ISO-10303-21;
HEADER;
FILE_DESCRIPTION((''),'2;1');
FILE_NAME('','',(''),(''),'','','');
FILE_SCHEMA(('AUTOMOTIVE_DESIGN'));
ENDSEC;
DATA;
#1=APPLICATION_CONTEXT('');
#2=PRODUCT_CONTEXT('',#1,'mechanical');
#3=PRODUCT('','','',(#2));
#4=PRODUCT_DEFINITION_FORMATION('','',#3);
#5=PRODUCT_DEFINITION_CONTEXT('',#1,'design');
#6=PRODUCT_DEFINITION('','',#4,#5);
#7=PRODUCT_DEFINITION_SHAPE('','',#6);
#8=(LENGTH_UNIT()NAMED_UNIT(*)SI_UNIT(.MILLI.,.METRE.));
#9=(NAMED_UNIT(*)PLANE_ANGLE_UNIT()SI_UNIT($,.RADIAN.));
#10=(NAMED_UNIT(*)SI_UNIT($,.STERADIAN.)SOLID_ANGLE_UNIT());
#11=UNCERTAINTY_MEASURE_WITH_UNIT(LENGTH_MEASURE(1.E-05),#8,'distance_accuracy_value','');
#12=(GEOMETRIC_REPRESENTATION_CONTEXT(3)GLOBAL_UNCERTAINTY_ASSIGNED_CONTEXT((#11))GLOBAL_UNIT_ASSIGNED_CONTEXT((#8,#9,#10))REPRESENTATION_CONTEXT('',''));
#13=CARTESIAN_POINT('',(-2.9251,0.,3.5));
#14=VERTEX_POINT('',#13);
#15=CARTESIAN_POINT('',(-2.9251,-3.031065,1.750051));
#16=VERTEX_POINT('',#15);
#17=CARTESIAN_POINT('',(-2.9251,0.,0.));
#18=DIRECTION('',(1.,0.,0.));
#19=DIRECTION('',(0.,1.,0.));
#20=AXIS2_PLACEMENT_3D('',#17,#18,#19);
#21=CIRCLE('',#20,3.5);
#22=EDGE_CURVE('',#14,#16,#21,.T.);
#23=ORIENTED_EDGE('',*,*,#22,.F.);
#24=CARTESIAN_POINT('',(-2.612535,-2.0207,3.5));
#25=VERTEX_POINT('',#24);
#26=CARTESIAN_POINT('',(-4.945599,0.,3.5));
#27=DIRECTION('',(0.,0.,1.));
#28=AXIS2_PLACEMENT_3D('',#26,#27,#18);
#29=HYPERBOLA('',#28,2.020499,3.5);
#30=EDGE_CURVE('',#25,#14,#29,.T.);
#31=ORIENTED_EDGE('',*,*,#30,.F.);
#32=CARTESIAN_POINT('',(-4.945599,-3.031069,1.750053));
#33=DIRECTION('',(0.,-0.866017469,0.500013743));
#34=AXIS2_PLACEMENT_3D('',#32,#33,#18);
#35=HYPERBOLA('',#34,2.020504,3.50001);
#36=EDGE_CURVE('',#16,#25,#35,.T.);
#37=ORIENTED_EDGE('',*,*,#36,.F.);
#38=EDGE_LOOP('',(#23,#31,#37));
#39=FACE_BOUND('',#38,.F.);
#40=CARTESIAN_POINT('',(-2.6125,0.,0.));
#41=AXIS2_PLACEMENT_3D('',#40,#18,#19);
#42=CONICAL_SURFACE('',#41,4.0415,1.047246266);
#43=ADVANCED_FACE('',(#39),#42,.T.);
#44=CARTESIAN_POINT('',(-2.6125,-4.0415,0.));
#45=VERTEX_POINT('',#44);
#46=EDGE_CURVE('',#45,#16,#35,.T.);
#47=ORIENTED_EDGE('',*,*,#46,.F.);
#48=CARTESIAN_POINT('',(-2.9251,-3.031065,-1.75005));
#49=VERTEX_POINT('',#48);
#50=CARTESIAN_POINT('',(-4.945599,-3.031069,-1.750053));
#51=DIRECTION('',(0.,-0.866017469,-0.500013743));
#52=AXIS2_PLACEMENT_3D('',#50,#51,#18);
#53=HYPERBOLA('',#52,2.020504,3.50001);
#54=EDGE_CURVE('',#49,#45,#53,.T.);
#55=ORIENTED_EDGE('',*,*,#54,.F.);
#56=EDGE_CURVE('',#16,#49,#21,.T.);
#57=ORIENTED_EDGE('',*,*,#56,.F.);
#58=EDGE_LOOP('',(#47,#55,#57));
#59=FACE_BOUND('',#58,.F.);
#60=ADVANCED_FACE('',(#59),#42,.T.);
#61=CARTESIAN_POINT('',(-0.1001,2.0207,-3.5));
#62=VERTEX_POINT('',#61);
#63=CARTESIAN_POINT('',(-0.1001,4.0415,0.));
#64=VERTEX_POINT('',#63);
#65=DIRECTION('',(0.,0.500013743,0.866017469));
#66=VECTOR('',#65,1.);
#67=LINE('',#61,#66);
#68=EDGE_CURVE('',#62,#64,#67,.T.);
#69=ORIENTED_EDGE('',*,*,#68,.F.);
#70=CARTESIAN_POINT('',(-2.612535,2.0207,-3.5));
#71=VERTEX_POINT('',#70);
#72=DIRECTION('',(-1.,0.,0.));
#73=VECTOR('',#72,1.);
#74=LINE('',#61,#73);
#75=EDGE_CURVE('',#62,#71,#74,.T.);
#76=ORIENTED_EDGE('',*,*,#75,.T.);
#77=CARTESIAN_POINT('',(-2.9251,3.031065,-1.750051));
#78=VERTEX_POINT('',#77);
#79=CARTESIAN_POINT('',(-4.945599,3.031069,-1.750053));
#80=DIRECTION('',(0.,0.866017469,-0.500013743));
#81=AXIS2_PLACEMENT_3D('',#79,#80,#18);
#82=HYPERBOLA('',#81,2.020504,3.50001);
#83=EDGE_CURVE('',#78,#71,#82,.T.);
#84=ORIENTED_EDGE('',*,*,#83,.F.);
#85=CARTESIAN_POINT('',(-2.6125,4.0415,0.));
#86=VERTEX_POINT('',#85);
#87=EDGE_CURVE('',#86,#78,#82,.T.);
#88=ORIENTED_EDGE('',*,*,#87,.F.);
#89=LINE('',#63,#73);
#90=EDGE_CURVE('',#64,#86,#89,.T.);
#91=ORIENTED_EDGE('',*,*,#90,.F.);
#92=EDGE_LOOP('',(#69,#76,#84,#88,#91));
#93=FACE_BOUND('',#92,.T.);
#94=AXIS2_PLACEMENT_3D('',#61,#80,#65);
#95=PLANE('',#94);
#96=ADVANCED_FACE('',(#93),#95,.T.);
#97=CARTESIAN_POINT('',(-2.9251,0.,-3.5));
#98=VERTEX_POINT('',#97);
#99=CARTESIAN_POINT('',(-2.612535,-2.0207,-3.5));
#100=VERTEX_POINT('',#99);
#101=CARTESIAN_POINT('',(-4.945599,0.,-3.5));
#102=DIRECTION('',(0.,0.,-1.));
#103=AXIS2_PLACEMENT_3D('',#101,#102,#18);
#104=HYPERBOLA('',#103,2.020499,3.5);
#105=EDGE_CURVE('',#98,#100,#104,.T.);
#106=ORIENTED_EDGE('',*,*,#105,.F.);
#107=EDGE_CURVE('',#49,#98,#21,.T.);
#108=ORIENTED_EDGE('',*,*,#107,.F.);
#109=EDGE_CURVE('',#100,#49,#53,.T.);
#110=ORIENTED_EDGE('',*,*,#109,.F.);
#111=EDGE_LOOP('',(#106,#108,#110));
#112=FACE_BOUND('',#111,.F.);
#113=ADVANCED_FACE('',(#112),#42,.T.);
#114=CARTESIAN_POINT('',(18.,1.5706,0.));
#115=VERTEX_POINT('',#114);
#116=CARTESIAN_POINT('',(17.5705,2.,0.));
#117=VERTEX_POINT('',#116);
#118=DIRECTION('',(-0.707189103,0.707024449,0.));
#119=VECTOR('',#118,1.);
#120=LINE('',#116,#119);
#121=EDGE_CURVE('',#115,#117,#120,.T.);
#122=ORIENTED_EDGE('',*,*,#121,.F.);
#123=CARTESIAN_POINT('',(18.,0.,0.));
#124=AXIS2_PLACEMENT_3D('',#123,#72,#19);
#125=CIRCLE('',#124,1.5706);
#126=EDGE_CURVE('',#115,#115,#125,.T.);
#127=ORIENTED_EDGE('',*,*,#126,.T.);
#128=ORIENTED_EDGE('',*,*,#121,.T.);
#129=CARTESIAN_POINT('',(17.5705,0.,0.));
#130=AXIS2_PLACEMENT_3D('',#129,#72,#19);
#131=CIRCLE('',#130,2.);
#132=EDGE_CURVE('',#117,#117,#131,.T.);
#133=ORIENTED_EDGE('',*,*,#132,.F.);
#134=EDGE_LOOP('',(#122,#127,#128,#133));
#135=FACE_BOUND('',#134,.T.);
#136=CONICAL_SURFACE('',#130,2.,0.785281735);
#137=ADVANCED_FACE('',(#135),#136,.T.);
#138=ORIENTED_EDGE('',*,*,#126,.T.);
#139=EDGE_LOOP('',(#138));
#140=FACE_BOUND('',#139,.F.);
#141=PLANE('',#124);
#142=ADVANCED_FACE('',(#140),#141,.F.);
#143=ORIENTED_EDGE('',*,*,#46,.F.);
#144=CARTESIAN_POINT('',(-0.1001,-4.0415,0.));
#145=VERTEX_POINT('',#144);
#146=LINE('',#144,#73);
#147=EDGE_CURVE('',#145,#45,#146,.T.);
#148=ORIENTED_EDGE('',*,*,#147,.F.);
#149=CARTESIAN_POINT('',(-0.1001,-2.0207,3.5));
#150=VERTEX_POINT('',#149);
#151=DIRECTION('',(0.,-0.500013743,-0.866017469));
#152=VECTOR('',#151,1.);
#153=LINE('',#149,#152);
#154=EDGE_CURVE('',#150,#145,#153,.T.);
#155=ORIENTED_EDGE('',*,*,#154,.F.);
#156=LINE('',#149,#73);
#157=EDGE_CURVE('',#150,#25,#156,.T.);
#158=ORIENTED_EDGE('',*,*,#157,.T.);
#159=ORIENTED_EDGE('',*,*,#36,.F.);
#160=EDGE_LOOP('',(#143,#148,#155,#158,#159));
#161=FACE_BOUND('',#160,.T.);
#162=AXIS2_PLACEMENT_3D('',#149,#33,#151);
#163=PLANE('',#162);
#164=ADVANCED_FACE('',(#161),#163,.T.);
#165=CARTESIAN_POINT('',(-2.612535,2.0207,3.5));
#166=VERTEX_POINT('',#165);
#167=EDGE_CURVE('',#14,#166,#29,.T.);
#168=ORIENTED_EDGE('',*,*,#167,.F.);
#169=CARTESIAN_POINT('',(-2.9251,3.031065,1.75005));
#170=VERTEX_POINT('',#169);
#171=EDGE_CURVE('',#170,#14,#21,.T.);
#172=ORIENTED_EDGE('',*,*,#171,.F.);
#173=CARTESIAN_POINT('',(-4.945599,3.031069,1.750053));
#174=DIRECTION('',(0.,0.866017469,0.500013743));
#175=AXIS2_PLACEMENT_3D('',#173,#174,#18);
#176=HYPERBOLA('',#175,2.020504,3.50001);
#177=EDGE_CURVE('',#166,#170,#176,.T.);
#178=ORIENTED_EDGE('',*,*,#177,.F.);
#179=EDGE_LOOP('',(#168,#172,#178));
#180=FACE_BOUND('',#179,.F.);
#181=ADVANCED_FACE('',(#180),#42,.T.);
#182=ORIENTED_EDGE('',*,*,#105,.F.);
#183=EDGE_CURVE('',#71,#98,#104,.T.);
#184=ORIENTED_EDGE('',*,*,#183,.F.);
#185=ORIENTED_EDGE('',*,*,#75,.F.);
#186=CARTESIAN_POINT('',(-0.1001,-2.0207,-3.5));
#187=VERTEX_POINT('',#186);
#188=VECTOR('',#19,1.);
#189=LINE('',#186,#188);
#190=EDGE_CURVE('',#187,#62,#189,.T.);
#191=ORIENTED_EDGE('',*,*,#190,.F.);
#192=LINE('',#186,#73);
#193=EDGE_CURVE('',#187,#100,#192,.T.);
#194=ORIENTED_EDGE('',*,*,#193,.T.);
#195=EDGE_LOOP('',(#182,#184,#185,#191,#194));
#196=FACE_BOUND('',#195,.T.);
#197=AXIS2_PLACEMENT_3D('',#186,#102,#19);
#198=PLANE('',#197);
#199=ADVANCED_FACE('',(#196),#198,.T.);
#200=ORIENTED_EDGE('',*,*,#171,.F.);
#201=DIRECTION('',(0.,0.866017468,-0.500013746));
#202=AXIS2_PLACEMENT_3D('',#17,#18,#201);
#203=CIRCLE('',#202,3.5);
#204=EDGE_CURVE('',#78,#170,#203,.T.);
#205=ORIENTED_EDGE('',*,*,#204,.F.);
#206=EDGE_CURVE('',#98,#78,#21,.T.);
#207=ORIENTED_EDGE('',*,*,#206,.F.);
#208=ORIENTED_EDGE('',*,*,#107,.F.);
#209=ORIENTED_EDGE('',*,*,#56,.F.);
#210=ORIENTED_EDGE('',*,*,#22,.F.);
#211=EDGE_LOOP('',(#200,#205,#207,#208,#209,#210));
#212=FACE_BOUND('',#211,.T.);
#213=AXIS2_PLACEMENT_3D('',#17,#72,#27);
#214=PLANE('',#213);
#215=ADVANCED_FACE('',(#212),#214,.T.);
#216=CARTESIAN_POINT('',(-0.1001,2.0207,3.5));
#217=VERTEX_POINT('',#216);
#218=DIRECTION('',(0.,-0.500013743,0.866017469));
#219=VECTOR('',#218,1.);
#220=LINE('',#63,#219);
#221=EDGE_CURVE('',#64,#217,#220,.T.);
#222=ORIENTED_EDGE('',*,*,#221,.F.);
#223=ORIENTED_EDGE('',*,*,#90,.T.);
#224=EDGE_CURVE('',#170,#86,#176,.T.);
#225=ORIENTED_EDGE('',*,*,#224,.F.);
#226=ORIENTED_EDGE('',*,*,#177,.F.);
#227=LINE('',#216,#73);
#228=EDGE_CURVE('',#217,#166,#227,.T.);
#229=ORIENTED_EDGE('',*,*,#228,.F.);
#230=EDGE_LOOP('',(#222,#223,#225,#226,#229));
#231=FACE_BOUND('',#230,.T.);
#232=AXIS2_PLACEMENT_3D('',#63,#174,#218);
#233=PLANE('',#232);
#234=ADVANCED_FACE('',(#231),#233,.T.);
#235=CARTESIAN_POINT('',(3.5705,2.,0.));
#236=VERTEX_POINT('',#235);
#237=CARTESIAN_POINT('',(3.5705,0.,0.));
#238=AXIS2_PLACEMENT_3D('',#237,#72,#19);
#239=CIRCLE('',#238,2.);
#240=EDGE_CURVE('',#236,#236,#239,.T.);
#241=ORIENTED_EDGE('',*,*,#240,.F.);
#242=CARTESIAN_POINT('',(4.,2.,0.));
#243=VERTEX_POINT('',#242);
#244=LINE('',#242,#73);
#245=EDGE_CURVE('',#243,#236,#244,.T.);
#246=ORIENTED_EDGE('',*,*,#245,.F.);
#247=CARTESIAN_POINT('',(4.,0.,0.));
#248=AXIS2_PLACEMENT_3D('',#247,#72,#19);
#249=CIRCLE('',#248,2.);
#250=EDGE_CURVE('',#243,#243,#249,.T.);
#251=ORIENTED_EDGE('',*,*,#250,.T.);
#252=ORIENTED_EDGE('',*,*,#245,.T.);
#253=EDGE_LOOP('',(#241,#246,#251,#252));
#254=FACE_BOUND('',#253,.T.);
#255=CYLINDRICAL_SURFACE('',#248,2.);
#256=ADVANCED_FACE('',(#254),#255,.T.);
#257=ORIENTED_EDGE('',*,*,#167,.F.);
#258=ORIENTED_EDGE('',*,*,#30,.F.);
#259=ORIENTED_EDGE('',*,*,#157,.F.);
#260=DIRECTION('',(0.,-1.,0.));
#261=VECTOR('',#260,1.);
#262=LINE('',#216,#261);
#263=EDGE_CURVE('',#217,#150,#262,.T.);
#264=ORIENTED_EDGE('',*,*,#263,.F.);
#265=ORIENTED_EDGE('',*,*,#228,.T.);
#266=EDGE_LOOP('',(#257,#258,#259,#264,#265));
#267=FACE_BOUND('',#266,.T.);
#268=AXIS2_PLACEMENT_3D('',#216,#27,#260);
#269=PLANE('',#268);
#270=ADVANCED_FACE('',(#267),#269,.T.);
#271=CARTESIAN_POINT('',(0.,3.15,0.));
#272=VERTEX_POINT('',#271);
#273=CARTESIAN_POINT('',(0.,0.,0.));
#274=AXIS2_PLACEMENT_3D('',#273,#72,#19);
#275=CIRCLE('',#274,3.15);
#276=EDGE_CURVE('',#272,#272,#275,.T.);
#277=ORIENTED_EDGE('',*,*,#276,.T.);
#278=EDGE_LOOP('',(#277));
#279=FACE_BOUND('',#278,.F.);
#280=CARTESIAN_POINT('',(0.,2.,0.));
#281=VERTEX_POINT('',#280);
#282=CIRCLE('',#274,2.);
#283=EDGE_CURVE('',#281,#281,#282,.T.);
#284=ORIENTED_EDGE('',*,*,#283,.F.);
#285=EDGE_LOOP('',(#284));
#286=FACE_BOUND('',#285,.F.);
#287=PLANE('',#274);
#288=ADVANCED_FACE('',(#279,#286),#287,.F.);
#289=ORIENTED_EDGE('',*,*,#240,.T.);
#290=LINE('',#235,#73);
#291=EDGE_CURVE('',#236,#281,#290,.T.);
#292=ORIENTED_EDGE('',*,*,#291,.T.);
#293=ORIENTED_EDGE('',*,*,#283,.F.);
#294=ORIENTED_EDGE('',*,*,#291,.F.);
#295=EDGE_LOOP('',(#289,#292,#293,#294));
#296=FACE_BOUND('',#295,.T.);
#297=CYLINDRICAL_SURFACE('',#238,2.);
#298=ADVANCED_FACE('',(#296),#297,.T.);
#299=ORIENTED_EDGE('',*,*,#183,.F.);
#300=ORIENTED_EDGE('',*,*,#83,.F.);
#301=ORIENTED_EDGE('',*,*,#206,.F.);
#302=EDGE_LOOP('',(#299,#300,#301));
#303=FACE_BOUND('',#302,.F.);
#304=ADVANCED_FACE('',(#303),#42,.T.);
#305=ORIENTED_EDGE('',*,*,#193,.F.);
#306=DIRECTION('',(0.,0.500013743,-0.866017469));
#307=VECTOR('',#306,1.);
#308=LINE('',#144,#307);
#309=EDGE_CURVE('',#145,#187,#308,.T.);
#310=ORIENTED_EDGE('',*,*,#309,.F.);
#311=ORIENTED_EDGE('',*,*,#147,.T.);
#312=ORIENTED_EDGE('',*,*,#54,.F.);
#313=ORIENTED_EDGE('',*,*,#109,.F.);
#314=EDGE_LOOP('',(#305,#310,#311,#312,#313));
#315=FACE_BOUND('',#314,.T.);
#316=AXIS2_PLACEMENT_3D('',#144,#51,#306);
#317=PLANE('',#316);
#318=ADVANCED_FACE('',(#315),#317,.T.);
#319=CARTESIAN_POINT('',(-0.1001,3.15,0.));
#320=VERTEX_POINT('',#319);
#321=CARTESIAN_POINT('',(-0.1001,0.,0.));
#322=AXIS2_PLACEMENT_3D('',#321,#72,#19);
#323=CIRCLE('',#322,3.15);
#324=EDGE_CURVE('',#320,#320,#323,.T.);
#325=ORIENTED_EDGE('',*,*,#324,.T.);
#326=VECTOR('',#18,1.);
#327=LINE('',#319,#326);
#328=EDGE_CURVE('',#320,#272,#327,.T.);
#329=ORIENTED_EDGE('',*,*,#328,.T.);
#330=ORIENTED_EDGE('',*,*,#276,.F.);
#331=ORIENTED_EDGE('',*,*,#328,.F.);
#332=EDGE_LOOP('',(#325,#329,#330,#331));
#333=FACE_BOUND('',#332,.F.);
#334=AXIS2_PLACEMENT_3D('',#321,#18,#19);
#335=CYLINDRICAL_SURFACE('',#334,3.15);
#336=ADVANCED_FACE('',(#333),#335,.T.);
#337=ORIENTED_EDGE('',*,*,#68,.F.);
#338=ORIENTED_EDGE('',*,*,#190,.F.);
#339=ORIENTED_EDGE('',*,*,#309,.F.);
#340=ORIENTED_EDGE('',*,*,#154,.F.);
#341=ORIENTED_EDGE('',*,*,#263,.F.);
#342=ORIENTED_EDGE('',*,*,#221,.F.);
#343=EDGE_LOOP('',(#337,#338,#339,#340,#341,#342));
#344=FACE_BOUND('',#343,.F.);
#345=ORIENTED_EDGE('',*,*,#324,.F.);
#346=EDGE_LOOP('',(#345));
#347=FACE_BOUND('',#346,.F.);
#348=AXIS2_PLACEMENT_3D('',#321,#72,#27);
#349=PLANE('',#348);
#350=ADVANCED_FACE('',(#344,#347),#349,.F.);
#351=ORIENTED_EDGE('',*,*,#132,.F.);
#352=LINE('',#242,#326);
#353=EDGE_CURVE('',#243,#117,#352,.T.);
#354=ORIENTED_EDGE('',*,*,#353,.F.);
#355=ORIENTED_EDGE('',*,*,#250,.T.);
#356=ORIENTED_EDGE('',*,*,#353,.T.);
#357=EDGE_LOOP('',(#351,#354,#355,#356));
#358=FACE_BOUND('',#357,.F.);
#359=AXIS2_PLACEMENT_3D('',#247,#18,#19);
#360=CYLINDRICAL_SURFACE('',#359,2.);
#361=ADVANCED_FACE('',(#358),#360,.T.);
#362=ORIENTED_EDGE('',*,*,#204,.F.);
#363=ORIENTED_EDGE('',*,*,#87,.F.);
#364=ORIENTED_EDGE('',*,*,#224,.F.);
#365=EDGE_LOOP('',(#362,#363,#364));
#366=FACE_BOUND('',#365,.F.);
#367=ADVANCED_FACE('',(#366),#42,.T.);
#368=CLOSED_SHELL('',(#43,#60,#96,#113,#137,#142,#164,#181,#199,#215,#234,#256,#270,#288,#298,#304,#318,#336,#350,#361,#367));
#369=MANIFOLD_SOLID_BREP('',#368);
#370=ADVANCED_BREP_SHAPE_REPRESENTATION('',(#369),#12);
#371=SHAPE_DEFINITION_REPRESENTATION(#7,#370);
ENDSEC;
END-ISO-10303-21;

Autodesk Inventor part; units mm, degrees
ref_plane "YZ Plane" through (0, 0, 0) normal (1, 0, 0) x (0, 1, 0)
ref_plane "XZ Plane" through (0, 0, 0) normal (0, 1, 0) x (-1, 0, 0)
sketch "Szkic1" plane through (0, 0, 0) normal (0, 0, 1) x (1, 0, 0)
  line L0 (0, 3.15) -> (0, 2)
  line L1 (4, 2) -> (18, 2)
  line L2 (18, 2) -> (18, 0)
  line L3 (18, 0) -> (-0.1001, 0)
  line L4 (-3.7201, 0) -> (21.62, 0) projected
  line L5 (-0.1001, 0) -> (-0.1001, 3.15)
  line L6 (-0.1001, 3.15) -> (0, 3.15)
  line L7 (4, 2) -> (3.5705, 2)
  line L8 (3.5705, 2) -> (0, 2)
  line L9 (0, -0.63) -> (0, 3.78) projected
  dimension "d0" = 18
  dimension "d1" = 14
  dimension "d2" = 4
  dimension "d9" = 0.1001
  dimension "d10" = 6.3
  dimension "d13" = 0.4295
  dimension "d14" = 4
revolve "Bryła" add sketch "Szkic1" angle 360 about axis through (18, 0, 0) along (-1, 0, 0)
sketch "Szkic2" plane through (-0.1001, 0, 0) normal (-1, 0, 0) x (0, 0, 1)
  line L0 (0, 4.0415) -> (3.5, 2.0207)
  line L1 (3.5, 2.0207) -> (3.5, -2.0207)
  line L2 (3.5, -2.0207) -> (0, -4.0415)
  line L3 (0, -4.0415) -> (-3.5, -2.0207)
  line L4 (-3.5, -2.0207) -> (-3.5, 2.0207)
  line L5 (-3.5, 2.0207) -> (0, 4.0415)
  point P0 (0, 0)
  point P1 (0, 0)
  dimension "d11" = 7
extrude "Głowica" add sketch "Szkic2" along normal blind 2.825
sketch "Szkic4" plane through (0, 0, 0) normal (0, 0, 1) x (1, 0, 0)
  line L0 (-2.9251, 3.5) -> (-2.9251, 4.0415)
  line L1 (-2.9251, 4.0415) -> (-2.6125, 4.0415)
  line L2 (-2.6125, 4.0415) -> (-2.9251, 3.5)
  line L3 (-3.4901, 0) -> (0.4649, 0) projected
  line L4 (-0.1001, 4.0415) -> (-2.9251, 4.0415) projected
  line L5 (-2.9251, 2.0207) -> (-2.9251, 4.0415) projected
  dimension "d5" = 30
  dimension "d19" = 7
revolve "Faza1" cut sketch "Szkic4" angle 360 about axis through (-10, 0, 0) along (1, 0, 0)
thread "Gwint" size "M4x0.7" class "6g" standard "ISO Metric profile" length 14
chamfer "Faza2" distance 0.4294 distance2 0.4295 1 edges at (18, -2, 0) measured on face at (18, -0.499, 0.4421)
ref_plane "Work Plane1" through (1.525, 0, 0) normal (0, 0, 1) x (1, 0, 0)
equation "\"d0\" = NLG"
equation "\"d1\" = GEL"
equation "\"d2\" = GD"
equation "\"d10\" = SD2"
equation "\"d14\" = BDM"
equation "\"d11\" = SW"
equation "\"d3\" = KOH - SD"
equation "\"d5\" = ANG1"
equation "\"d19\" = SW0"
equation "\"d15\" = GEL"
equation "\"d6\" = -0.5 * SPD + 0.5 * GD"
equation "\"NLG\" = 18"
equation "\"GD\" = NND"
equation "\"BDM\" = NND"
equation "\"KOH\" = 2.925"
equation "\"GEL\" = 14"
equation "\"SW\" = 7"
equation "\"SW0\" = 7"
equation "\"SPD\" = NND - 1.2269 * PTC"
equation "\"SD2\" = 0.9 * SW"
equation "\"SD\" = 0.1"
equation "\"ANG1\" = 30deg"
equation "\"GAL\" = 0.61345 * PTC"
equation "\"GUL\" = 0.61345 * PTC"
equation "\"RR\" = 0.35"
equation "\"GD1\" = THREADDIA - 1.2269 * PTC"
equation "\"THREADDIA\" = 4"
equation "\"SDH\" = 6.55"
equation "\"TOA\" = 30deg"
equation "\"PTC\" = 0.7"
equation "\"NND\" = 4"
equation "\"E0\" = 1.155 * SW"
properties part number "BS 3692 - M4 x 18" material "Stal, miękka"
